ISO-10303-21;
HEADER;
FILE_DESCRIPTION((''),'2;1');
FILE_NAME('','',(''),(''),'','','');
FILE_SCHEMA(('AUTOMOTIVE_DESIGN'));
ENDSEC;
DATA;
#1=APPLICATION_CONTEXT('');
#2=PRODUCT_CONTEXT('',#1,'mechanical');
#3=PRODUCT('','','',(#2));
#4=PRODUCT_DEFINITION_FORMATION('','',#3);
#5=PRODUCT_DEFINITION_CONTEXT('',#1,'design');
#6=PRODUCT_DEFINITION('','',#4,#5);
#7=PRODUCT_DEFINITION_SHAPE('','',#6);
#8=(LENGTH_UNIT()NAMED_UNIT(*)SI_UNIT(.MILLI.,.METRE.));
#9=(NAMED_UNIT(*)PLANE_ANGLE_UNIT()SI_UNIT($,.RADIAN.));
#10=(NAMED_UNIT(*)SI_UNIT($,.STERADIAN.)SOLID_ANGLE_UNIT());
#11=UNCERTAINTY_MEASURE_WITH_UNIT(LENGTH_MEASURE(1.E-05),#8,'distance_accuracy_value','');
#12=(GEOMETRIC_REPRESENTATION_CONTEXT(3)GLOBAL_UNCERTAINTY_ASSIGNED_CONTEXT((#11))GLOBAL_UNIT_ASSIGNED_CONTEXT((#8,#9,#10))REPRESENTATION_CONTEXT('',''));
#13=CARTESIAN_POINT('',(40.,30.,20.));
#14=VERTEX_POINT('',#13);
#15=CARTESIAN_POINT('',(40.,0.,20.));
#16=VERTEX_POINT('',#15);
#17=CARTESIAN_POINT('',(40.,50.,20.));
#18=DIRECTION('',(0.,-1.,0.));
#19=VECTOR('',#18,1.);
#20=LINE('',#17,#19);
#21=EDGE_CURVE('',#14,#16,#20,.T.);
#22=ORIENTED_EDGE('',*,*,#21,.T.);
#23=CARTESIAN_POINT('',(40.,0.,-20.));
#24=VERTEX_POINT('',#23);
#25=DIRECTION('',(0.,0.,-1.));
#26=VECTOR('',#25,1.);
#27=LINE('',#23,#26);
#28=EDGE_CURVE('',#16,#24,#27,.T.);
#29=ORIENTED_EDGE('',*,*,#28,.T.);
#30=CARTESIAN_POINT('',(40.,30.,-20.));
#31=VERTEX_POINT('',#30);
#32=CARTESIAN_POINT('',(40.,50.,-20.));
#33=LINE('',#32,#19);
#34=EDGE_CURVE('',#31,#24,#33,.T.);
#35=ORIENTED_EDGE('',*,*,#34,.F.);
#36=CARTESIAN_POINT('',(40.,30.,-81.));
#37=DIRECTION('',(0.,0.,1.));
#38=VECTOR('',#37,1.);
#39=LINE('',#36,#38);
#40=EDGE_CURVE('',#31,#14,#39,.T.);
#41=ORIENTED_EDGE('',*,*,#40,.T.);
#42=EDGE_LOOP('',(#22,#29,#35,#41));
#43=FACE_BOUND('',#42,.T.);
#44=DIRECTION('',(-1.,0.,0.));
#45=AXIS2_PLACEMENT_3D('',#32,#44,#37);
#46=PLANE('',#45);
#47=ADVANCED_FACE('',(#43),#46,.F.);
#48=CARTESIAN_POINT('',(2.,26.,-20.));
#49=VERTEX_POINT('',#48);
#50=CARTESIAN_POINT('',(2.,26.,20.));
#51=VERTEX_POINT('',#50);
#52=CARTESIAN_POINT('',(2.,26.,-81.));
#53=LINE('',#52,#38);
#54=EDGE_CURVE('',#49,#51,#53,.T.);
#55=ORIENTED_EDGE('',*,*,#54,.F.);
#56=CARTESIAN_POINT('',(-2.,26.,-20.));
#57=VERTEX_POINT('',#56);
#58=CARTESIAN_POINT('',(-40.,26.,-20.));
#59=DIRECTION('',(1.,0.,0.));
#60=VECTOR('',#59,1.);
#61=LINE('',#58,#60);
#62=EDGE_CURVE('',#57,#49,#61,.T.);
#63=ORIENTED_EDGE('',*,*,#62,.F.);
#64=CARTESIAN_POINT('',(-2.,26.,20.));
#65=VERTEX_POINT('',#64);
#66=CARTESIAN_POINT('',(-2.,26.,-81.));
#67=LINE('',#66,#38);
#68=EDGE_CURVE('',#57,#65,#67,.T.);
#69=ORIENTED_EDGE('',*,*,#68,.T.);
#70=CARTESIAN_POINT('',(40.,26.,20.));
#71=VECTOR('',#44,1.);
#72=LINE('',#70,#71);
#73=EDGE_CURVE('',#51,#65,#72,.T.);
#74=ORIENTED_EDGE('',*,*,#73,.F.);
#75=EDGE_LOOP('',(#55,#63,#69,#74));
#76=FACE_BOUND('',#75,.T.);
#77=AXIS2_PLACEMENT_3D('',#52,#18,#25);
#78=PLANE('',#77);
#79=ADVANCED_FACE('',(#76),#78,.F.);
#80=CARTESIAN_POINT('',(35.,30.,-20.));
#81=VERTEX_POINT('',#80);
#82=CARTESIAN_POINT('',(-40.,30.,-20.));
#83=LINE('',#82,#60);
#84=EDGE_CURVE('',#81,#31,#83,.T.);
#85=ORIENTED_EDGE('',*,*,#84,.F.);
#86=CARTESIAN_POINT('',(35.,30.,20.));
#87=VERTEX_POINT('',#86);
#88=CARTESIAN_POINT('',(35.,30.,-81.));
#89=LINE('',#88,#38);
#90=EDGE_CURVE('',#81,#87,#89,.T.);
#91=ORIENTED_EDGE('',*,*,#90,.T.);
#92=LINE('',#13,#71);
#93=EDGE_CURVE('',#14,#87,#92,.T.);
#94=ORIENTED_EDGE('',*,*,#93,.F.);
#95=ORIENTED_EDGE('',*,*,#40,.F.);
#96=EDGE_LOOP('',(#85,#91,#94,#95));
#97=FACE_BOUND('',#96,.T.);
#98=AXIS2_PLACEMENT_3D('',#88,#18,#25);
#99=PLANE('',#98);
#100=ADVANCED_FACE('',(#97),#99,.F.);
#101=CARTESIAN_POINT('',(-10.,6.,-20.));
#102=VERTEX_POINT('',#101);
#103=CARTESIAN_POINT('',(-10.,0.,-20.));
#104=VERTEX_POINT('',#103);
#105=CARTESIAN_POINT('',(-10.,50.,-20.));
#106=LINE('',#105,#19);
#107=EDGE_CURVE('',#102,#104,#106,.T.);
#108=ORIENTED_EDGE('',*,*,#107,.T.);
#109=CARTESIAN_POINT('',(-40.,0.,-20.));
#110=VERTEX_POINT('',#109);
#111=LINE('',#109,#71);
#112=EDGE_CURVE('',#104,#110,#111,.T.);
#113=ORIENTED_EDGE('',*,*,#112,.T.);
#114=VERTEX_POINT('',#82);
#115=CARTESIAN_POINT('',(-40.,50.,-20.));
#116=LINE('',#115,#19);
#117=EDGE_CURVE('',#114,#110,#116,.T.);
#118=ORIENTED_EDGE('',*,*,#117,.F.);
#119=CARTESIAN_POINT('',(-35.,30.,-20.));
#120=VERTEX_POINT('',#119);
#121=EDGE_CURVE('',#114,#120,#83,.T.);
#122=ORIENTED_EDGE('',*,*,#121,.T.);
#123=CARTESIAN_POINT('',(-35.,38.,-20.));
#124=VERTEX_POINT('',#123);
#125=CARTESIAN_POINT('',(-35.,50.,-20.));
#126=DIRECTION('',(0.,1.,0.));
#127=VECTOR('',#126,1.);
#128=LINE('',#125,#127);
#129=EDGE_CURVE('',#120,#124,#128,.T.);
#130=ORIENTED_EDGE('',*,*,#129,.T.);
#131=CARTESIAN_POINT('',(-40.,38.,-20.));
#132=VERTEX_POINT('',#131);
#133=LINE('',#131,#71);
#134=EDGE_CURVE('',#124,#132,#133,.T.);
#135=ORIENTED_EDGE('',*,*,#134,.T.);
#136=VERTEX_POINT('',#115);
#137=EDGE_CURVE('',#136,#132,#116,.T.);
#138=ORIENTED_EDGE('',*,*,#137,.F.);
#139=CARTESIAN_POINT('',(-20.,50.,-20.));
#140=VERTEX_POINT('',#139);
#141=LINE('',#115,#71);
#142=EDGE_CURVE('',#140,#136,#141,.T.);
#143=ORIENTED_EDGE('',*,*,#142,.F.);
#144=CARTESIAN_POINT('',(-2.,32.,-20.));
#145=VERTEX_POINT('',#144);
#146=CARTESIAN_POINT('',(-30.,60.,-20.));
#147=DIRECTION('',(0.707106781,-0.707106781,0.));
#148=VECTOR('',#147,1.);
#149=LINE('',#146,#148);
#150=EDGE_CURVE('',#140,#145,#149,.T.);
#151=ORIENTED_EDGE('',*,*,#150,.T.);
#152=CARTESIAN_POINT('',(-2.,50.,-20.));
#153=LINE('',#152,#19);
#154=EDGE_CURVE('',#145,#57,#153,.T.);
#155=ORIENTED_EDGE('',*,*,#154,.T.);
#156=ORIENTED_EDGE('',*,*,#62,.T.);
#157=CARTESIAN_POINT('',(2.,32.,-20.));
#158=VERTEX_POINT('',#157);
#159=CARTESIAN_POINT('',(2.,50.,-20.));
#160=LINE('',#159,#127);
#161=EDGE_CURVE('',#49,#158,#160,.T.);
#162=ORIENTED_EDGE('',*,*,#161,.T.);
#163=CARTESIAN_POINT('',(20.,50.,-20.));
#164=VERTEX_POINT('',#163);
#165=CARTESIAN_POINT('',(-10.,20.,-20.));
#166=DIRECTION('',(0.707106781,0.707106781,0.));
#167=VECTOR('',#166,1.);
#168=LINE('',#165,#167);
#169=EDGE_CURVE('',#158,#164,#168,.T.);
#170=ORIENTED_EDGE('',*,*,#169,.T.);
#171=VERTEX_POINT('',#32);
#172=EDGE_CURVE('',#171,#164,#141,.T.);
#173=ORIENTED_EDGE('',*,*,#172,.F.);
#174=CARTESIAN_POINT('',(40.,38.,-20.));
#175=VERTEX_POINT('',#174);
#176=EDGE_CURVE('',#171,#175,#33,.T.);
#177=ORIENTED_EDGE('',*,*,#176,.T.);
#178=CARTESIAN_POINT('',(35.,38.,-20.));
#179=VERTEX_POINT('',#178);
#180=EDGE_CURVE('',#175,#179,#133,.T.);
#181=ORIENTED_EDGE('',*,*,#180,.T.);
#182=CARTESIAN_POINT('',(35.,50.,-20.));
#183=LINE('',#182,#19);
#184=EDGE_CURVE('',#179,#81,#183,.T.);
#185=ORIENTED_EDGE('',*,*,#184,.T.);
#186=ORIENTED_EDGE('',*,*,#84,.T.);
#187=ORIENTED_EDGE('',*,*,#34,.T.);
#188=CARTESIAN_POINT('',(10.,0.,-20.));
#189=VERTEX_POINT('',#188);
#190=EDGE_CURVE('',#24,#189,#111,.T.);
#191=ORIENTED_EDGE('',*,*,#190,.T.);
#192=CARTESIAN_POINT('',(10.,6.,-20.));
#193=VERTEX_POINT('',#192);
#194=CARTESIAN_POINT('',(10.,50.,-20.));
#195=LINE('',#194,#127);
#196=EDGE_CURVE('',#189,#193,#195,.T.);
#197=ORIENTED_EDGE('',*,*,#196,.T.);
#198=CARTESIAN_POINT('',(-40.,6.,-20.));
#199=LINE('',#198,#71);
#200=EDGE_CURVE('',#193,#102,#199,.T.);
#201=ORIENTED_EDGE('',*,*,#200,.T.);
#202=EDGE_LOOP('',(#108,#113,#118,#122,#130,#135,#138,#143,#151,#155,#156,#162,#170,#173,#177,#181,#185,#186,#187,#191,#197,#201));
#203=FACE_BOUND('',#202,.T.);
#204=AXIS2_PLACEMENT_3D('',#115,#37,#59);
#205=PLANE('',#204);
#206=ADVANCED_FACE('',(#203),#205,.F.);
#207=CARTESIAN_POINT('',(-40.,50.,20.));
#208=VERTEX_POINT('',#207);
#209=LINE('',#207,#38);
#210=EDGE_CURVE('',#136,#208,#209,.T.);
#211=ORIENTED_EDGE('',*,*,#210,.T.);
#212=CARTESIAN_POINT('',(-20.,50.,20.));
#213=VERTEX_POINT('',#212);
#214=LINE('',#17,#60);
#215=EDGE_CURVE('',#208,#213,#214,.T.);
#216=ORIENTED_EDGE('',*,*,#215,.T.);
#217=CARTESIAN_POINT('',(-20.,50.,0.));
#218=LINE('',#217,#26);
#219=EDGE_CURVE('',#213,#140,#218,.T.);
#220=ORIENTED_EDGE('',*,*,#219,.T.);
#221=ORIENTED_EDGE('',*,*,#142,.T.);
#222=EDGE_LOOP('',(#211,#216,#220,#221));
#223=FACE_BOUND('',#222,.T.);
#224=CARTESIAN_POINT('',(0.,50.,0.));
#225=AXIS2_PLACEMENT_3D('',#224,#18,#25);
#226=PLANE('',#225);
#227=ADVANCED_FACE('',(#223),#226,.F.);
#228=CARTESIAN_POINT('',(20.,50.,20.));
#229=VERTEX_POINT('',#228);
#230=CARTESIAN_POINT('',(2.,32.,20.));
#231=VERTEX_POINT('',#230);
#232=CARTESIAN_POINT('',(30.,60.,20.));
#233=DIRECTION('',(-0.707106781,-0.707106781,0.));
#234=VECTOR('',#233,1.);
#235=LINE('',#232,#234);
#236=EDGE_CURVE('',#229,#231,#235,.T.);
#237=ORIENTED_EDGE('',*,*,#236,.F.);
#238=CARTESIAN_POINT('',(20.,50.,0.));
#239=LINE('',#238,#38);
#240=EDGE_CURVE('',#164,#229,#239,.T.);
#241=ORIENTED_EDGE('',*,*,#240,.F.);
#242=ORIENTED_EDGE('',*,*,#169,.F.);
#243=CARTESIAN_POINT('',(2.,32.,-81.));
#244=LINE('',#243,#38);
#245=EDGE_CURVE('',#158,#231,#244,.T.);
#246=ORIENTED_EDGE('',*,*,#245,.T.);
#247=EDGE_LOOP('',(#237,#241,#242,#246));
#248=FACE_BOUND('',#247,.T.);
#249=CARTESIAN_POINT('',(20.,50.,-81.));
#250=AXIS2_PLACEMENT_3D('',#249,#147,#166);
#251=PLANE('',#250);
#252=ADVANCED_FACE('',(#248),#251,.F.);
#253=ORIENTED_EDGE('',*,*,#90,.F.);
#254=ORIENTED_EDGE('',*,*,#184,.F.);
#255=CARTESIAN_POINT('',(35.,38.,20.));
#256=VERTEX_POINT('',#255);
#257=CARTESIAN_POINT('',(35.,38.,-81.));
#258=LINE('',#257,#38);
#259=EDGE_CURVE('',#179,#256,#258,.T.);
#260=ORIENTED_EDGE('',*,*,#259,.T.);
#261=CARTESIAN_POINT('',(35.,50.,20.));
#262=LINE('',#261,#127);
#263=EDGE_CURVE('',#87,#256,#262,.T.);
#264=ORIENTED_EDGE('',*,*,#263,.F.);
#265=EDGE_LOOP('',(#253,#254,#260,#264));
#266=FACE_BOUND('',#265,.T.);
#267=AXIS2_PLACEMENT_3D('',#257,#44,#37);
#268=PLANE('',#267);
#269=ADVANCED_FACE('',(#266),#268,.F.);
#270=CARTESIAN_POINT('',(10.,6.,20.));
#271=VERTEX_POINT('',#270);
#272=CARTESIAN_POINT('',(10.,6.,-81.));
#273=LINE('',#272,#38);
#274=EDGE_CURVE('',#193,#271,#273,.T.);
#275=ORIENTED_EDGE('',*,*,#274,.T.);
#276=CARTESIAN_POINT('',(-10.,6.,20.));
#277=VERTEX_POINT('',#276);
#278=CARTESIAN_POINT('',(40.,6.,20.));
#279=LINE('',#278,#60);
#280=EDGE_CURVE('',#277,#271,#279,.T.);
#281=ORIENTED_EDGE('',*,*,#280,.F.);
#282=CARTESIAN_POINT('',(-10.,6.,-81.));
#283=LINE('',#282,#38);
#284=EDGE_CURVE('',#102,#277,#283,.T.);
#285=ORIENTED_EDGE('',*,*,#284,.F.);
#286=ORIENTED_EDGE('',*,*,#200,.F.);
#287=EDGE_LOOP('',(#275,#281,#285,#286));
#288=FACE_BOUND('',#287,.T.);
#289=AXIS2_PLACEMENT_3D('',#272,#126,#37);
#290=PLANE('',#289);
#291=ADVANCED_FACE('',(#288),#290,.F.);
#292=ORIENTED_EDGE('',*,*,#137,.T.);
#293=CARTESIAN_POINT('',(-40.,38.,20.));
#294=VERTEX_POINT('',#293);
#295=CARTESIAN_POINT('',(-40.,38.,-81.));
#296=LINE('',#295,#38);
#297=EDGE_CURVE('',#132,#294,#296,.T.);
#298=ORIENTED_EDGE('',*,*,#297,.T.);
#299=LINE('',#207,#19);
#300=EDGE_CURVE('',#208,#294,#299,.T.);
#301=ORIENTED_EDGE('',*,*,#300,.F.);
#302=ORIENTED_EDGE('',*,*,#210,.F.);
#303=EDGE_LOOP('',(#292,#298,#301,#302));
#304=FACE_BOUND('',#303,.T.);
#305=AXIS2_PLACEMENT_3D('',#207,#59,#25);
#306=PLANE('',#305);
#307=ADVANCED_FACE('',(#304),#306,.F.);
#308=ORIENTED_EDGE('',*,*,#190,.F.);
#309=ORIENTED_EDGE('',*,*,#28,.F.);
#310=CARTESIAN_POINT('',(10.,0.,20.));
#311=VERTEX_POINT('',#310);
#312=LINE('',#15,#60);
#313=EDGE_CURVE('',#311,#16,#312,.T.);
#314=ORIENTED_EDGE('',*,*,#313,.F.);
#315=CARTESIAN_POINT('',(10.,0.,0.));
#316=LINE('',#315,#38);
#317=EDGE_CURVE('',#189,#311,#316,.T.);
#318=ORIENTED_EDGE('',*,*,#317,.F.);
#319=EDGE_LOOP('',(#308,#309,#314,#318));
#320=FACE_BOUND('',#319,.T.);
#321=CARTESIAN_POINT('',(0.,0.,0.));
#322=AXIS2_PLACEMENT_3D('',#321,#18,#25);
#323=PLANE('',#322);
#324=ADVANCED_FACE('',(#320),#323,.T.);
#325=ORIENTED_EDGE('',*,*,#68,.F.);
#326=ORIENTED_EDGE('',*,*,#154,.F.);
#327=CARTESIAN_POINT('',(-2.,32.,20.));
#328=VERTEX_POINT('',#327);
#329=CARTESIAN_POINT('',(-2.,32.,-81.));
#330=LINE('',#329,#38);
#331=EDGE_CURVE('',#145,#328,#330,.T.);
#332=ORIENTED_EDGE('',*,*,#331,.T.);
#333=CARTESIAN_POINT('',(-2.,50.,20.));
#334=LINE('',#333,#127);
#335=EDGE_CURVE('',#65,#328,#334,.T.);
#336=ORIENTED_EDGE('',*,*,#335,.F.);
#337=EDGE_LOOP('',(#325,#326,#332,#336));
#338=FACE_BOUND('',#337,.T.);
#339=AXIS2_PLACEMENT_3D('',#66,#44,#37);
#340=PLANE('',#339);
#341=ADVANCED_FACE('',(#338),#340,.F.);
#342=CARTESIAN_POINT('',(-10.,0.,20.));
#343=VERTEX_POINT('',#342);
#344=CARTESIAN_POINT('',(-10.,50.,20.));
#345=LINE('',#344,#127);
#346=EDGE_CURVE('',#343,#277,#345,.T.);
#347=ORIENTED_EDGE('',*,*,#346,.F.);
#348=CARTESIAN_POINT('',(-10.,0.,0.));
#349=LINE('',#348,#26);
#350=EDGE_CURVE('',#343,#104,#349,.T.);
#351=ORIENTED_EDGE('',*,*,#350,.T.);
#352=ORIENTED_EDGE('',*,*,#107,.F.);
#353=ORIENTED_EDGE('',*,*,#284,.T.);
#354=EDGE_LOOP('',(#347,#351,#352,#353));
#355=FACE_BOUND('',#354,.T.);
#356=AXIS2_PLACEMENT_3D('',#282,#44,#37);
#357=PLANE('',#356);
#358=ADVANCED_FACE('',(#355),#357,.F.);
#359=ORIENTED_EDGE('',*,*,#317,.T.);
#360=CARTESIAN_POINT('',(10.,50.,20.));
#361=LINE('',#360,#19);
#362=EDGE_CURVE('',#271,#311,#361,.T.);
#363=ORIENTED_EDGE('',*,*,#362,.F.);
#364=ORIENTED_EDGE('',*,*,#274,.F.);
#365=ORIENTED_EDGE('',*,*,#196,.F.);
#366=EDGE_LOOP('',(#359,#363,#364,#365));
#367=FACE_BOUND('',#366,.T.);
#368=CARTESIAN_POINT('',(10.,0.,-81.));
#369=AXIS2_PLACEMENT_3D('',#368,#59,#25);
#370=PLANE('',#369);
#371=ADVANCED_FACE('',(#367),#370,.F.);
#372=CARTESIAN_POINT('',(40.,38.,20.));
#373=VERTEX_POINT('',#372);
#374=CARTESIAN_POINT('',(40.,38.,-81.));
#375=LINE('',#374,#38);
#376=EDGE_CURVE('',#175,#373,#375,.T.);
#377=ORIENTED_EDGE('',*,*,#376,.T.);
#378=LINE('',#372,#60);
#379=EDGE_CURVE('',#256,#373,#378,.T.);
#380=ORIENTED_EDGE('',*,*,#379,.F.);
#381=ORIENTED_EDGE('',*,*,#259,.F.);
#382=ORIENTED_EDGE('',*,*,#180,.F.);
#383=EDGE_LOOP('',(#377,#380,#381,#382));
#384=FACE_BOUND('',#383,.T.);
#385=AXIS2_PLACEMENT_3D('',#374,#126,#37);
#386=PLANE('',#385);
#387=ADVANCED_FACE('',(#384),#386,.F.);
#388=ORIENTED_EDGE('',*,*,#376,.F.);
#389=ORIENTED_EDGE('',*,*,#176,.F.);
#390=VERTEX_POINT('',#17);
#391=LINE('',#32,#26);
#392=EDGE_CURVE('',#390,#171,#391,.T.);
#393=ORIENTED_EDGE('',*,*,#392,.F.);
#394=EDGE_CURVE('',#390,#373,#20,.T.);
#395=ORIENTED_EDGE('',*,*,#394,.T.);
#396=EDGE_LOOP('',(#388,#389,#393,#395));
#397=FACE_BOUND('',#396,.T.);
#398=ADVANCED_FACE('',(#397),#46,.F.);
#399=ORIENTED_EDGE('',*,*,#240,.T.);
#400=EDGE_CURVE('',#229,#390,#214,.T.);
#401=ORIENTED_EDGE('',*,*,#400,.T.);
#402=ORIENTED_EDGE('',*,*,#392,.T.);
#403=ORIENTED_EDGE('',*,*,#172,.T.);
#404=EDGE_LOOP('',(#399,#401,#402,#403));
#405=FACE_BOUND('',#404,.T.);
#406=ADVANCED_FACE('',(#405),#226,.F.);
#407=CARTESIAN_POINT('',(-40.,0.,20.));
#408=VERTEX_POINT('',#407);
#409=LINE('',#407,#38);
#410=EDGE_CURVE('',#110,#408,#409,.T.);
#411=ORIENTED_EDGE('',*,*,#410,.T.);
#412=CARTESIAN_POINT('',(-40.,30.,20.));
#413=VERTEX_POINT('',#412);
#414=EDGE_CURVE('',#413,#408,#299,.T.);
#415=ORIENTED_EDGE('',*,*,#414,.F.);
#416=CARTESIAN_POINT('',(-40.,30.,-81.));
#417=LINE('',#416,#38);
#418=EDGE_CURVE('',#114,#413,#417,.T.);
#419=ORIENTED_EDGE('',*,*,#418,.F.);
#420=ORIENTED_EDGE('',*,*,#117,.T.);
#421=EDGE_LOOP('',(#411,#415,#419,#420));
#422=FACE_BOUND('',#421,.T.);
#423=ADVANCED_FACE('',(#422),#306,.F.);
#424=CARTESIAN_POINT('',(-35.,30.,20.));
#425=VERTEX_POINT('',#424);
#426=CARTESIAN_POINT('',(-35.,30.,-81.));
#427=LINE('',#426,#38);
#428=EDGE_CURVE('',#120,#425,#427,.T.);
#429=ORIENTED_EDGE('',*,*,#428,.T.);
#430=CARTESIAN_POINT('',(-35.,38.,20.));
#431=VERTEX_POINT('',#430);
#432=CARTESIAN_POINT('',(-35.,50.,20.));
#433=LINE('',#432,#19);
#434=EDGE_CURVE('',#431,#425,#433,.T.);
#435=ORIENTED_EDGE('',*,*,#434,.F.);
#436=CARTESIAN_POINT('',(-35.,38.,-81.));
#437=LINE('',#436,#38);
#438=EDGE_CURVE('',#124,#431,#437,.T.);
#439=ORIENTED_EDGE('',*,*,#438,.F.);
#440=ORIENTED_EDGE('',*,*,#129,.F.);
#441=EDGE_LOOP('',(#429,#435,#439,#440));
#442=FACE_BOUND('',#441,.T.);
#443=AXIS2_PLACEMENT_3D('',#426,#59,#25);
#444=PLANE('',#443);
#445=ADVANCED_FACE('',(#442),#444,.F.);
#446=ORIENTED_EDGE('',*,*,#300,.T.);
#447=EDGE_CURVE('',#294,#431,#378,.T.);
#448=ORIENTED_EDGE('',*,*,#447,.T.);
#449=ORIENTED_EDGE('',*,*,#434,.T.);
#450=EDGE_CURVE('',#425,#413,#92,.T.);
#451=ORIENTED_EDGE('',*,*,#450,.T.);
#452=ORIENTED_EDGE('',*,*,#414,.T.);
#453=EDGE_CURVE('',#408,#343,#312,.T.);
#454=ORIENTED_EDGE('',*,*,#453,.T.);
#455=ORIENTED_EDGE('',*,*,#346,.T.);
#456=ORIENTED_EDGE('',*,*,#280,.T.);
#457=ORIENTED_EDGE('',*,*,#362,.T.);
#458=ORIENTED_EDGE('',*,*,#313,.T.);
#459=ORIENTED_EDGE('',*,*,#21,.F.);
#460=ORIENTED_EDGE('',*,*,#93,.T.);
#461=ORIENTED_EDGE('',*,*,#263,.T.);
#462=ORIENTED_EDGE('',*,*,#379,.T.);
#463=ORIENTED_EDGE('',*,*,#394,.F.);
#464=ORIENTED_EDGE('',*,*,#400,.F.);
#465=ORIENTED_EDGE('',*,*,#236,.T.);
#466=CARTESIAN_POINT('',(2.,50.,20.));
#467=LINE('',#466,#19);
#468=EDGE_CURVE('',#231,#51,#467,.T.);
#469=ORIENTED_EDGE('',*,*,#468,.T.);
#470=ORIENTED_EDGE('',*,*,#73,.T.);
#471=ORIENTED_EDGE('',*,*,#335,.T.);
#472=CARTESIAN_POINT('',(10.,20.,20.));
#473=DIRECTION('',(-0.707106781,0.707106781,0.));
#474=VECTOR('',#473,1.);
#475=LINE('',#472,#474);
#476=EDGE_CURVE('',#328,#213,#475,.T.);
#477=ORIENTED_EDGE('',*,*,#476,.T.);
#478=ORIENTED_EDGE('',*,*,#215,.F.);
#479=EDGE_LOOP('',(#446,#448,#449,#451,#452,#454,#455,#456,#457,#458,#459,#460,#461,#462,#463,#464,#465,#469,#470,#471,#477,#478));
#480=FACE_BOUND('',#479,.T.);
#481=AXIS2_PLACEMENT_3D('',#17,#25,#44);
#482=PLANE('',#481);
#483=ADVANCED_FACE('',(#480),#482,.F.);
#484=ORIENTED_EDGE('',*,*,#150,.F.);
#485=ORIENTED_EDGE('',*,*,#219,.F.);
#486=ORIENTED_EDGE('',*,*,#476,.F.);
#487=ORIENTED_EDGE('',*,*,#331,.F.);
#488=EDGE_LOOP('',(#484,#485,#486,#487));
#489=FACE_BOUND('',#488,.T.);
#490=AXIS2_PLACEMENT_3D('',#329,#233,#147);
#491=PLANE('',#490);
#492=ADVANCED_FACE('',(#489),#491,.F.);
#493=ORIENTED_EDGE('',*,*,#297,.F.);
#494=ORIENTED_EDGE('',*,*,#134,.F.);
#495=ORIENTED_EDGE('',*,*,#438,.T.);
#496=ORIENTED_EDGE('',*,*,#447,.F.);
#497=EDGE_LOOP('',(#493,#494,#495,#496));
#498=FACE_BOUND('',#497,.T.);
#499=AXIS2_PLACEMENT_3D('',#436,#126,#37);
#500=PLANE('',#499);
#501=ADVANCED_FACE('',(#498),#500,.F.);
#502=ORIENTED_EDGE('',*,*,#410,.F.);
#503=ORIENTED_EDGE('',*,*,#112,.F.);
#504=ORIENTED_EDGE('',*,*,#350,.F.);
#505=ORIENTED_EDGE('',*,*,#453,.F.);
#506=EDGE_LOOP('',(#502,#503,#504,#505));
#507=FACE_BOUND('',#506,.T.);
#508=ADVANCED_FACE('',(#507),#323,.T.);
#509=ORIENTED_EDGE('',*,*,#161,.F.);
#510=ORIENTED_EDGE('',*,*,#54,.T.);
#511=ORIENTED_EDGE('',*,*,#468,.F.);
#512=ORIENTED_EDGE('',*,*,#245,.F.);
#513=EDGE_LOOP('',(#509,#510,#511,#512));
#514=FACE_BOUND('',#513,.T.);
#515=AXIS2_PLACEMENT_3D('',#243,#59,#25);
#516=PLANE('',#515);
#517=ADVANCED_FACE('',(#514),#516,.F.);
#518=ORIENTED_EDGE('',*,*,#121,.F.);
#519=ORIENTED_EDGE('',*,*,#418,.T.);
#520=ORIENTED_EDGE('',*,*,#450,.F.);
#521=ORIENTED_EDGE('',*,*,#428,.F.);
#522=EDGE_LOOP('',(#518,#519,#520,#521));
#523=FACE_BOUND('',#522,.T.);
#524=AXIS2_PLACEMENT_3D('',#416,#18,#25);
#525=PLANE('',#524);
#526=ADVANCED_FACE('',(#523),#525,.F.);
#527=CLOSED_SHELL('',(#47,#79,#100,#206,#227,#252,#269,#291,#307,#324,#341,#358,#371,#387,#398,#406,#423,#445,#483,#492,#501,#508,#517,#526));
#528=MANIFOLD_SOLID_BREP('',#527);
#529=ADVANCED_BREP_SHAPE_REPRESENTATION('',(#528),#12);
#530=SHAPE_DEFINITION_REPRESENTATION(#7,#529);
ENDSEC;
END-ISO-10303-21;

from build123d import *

# Parameters (mm, degrees)
SKETCH_1_W          = 80
SKETCH_1_H          = 40
EXTRUDE_1_DEPTH     = 50
CUT_EXTRUDE_1_DEPTH = 81
SKETCH_3_W          = 20
SKETCH_3_H          = 6
CUT_EXTRUDE_2_DEPTH = 81
SKETCH_4_W          = 5
SKETCH_4_H          = 8
CUT_EXTRUDE_3_DEPTH = 81


with BuildPart() as part:
    # 草图1 → 凸台-拉伸1 (new body)
    with BuildSketch(Plane(origin=(0, 0, 0), x_dir=(1, 0, 0), z_dir=(0, 1, 0))):
        Rectangle(SKETCH_1_W, SKETCH_1_H)
    extrude(amount=EXTRUDE_1_DEPTH)

    # 草图2 → 切除-拉伸1 (cut, symmetric)
    with BuildSketch(Plane.XY):
        Polygon((-20, 50), (20, 50), (2, 32), (2, 26), (-2, 26), (-2, 32), align=None)
    extrude(amount=CUT_EXTRUDE_1_DEPTH, both=True, mode=Mode.SUBTRACT)

    # 草图3 → 切除-拉伸2 (cut, symmetric)
    with BuildSketch(Plane.XY):
        with Locations((0, 3)):
            Rectangle(SKETCH_3_W, SKETCH_3_H)
    extrude(amount=CUT_EXTRUDE_2_DEPTH, both=True, mode=Mode.SUBTRACT)

    # 草图4 → 切除-拉伸3 (cut, symmetric)
    with BuildSketch(Plane.XY):
        with Locations((-37.5, 34)):
            Rectangle(SKETCH_4_W, SKETCH_4_H)
        with Locations((37.5, 34)):
            Rectangle(SKETCH_4_W, SKETCH_4_H)
    extrude(amount=CUT_EXTRUDE_3_DEPTH, both=True, mode=Mode.SUBTRACT)


solid = part.part
